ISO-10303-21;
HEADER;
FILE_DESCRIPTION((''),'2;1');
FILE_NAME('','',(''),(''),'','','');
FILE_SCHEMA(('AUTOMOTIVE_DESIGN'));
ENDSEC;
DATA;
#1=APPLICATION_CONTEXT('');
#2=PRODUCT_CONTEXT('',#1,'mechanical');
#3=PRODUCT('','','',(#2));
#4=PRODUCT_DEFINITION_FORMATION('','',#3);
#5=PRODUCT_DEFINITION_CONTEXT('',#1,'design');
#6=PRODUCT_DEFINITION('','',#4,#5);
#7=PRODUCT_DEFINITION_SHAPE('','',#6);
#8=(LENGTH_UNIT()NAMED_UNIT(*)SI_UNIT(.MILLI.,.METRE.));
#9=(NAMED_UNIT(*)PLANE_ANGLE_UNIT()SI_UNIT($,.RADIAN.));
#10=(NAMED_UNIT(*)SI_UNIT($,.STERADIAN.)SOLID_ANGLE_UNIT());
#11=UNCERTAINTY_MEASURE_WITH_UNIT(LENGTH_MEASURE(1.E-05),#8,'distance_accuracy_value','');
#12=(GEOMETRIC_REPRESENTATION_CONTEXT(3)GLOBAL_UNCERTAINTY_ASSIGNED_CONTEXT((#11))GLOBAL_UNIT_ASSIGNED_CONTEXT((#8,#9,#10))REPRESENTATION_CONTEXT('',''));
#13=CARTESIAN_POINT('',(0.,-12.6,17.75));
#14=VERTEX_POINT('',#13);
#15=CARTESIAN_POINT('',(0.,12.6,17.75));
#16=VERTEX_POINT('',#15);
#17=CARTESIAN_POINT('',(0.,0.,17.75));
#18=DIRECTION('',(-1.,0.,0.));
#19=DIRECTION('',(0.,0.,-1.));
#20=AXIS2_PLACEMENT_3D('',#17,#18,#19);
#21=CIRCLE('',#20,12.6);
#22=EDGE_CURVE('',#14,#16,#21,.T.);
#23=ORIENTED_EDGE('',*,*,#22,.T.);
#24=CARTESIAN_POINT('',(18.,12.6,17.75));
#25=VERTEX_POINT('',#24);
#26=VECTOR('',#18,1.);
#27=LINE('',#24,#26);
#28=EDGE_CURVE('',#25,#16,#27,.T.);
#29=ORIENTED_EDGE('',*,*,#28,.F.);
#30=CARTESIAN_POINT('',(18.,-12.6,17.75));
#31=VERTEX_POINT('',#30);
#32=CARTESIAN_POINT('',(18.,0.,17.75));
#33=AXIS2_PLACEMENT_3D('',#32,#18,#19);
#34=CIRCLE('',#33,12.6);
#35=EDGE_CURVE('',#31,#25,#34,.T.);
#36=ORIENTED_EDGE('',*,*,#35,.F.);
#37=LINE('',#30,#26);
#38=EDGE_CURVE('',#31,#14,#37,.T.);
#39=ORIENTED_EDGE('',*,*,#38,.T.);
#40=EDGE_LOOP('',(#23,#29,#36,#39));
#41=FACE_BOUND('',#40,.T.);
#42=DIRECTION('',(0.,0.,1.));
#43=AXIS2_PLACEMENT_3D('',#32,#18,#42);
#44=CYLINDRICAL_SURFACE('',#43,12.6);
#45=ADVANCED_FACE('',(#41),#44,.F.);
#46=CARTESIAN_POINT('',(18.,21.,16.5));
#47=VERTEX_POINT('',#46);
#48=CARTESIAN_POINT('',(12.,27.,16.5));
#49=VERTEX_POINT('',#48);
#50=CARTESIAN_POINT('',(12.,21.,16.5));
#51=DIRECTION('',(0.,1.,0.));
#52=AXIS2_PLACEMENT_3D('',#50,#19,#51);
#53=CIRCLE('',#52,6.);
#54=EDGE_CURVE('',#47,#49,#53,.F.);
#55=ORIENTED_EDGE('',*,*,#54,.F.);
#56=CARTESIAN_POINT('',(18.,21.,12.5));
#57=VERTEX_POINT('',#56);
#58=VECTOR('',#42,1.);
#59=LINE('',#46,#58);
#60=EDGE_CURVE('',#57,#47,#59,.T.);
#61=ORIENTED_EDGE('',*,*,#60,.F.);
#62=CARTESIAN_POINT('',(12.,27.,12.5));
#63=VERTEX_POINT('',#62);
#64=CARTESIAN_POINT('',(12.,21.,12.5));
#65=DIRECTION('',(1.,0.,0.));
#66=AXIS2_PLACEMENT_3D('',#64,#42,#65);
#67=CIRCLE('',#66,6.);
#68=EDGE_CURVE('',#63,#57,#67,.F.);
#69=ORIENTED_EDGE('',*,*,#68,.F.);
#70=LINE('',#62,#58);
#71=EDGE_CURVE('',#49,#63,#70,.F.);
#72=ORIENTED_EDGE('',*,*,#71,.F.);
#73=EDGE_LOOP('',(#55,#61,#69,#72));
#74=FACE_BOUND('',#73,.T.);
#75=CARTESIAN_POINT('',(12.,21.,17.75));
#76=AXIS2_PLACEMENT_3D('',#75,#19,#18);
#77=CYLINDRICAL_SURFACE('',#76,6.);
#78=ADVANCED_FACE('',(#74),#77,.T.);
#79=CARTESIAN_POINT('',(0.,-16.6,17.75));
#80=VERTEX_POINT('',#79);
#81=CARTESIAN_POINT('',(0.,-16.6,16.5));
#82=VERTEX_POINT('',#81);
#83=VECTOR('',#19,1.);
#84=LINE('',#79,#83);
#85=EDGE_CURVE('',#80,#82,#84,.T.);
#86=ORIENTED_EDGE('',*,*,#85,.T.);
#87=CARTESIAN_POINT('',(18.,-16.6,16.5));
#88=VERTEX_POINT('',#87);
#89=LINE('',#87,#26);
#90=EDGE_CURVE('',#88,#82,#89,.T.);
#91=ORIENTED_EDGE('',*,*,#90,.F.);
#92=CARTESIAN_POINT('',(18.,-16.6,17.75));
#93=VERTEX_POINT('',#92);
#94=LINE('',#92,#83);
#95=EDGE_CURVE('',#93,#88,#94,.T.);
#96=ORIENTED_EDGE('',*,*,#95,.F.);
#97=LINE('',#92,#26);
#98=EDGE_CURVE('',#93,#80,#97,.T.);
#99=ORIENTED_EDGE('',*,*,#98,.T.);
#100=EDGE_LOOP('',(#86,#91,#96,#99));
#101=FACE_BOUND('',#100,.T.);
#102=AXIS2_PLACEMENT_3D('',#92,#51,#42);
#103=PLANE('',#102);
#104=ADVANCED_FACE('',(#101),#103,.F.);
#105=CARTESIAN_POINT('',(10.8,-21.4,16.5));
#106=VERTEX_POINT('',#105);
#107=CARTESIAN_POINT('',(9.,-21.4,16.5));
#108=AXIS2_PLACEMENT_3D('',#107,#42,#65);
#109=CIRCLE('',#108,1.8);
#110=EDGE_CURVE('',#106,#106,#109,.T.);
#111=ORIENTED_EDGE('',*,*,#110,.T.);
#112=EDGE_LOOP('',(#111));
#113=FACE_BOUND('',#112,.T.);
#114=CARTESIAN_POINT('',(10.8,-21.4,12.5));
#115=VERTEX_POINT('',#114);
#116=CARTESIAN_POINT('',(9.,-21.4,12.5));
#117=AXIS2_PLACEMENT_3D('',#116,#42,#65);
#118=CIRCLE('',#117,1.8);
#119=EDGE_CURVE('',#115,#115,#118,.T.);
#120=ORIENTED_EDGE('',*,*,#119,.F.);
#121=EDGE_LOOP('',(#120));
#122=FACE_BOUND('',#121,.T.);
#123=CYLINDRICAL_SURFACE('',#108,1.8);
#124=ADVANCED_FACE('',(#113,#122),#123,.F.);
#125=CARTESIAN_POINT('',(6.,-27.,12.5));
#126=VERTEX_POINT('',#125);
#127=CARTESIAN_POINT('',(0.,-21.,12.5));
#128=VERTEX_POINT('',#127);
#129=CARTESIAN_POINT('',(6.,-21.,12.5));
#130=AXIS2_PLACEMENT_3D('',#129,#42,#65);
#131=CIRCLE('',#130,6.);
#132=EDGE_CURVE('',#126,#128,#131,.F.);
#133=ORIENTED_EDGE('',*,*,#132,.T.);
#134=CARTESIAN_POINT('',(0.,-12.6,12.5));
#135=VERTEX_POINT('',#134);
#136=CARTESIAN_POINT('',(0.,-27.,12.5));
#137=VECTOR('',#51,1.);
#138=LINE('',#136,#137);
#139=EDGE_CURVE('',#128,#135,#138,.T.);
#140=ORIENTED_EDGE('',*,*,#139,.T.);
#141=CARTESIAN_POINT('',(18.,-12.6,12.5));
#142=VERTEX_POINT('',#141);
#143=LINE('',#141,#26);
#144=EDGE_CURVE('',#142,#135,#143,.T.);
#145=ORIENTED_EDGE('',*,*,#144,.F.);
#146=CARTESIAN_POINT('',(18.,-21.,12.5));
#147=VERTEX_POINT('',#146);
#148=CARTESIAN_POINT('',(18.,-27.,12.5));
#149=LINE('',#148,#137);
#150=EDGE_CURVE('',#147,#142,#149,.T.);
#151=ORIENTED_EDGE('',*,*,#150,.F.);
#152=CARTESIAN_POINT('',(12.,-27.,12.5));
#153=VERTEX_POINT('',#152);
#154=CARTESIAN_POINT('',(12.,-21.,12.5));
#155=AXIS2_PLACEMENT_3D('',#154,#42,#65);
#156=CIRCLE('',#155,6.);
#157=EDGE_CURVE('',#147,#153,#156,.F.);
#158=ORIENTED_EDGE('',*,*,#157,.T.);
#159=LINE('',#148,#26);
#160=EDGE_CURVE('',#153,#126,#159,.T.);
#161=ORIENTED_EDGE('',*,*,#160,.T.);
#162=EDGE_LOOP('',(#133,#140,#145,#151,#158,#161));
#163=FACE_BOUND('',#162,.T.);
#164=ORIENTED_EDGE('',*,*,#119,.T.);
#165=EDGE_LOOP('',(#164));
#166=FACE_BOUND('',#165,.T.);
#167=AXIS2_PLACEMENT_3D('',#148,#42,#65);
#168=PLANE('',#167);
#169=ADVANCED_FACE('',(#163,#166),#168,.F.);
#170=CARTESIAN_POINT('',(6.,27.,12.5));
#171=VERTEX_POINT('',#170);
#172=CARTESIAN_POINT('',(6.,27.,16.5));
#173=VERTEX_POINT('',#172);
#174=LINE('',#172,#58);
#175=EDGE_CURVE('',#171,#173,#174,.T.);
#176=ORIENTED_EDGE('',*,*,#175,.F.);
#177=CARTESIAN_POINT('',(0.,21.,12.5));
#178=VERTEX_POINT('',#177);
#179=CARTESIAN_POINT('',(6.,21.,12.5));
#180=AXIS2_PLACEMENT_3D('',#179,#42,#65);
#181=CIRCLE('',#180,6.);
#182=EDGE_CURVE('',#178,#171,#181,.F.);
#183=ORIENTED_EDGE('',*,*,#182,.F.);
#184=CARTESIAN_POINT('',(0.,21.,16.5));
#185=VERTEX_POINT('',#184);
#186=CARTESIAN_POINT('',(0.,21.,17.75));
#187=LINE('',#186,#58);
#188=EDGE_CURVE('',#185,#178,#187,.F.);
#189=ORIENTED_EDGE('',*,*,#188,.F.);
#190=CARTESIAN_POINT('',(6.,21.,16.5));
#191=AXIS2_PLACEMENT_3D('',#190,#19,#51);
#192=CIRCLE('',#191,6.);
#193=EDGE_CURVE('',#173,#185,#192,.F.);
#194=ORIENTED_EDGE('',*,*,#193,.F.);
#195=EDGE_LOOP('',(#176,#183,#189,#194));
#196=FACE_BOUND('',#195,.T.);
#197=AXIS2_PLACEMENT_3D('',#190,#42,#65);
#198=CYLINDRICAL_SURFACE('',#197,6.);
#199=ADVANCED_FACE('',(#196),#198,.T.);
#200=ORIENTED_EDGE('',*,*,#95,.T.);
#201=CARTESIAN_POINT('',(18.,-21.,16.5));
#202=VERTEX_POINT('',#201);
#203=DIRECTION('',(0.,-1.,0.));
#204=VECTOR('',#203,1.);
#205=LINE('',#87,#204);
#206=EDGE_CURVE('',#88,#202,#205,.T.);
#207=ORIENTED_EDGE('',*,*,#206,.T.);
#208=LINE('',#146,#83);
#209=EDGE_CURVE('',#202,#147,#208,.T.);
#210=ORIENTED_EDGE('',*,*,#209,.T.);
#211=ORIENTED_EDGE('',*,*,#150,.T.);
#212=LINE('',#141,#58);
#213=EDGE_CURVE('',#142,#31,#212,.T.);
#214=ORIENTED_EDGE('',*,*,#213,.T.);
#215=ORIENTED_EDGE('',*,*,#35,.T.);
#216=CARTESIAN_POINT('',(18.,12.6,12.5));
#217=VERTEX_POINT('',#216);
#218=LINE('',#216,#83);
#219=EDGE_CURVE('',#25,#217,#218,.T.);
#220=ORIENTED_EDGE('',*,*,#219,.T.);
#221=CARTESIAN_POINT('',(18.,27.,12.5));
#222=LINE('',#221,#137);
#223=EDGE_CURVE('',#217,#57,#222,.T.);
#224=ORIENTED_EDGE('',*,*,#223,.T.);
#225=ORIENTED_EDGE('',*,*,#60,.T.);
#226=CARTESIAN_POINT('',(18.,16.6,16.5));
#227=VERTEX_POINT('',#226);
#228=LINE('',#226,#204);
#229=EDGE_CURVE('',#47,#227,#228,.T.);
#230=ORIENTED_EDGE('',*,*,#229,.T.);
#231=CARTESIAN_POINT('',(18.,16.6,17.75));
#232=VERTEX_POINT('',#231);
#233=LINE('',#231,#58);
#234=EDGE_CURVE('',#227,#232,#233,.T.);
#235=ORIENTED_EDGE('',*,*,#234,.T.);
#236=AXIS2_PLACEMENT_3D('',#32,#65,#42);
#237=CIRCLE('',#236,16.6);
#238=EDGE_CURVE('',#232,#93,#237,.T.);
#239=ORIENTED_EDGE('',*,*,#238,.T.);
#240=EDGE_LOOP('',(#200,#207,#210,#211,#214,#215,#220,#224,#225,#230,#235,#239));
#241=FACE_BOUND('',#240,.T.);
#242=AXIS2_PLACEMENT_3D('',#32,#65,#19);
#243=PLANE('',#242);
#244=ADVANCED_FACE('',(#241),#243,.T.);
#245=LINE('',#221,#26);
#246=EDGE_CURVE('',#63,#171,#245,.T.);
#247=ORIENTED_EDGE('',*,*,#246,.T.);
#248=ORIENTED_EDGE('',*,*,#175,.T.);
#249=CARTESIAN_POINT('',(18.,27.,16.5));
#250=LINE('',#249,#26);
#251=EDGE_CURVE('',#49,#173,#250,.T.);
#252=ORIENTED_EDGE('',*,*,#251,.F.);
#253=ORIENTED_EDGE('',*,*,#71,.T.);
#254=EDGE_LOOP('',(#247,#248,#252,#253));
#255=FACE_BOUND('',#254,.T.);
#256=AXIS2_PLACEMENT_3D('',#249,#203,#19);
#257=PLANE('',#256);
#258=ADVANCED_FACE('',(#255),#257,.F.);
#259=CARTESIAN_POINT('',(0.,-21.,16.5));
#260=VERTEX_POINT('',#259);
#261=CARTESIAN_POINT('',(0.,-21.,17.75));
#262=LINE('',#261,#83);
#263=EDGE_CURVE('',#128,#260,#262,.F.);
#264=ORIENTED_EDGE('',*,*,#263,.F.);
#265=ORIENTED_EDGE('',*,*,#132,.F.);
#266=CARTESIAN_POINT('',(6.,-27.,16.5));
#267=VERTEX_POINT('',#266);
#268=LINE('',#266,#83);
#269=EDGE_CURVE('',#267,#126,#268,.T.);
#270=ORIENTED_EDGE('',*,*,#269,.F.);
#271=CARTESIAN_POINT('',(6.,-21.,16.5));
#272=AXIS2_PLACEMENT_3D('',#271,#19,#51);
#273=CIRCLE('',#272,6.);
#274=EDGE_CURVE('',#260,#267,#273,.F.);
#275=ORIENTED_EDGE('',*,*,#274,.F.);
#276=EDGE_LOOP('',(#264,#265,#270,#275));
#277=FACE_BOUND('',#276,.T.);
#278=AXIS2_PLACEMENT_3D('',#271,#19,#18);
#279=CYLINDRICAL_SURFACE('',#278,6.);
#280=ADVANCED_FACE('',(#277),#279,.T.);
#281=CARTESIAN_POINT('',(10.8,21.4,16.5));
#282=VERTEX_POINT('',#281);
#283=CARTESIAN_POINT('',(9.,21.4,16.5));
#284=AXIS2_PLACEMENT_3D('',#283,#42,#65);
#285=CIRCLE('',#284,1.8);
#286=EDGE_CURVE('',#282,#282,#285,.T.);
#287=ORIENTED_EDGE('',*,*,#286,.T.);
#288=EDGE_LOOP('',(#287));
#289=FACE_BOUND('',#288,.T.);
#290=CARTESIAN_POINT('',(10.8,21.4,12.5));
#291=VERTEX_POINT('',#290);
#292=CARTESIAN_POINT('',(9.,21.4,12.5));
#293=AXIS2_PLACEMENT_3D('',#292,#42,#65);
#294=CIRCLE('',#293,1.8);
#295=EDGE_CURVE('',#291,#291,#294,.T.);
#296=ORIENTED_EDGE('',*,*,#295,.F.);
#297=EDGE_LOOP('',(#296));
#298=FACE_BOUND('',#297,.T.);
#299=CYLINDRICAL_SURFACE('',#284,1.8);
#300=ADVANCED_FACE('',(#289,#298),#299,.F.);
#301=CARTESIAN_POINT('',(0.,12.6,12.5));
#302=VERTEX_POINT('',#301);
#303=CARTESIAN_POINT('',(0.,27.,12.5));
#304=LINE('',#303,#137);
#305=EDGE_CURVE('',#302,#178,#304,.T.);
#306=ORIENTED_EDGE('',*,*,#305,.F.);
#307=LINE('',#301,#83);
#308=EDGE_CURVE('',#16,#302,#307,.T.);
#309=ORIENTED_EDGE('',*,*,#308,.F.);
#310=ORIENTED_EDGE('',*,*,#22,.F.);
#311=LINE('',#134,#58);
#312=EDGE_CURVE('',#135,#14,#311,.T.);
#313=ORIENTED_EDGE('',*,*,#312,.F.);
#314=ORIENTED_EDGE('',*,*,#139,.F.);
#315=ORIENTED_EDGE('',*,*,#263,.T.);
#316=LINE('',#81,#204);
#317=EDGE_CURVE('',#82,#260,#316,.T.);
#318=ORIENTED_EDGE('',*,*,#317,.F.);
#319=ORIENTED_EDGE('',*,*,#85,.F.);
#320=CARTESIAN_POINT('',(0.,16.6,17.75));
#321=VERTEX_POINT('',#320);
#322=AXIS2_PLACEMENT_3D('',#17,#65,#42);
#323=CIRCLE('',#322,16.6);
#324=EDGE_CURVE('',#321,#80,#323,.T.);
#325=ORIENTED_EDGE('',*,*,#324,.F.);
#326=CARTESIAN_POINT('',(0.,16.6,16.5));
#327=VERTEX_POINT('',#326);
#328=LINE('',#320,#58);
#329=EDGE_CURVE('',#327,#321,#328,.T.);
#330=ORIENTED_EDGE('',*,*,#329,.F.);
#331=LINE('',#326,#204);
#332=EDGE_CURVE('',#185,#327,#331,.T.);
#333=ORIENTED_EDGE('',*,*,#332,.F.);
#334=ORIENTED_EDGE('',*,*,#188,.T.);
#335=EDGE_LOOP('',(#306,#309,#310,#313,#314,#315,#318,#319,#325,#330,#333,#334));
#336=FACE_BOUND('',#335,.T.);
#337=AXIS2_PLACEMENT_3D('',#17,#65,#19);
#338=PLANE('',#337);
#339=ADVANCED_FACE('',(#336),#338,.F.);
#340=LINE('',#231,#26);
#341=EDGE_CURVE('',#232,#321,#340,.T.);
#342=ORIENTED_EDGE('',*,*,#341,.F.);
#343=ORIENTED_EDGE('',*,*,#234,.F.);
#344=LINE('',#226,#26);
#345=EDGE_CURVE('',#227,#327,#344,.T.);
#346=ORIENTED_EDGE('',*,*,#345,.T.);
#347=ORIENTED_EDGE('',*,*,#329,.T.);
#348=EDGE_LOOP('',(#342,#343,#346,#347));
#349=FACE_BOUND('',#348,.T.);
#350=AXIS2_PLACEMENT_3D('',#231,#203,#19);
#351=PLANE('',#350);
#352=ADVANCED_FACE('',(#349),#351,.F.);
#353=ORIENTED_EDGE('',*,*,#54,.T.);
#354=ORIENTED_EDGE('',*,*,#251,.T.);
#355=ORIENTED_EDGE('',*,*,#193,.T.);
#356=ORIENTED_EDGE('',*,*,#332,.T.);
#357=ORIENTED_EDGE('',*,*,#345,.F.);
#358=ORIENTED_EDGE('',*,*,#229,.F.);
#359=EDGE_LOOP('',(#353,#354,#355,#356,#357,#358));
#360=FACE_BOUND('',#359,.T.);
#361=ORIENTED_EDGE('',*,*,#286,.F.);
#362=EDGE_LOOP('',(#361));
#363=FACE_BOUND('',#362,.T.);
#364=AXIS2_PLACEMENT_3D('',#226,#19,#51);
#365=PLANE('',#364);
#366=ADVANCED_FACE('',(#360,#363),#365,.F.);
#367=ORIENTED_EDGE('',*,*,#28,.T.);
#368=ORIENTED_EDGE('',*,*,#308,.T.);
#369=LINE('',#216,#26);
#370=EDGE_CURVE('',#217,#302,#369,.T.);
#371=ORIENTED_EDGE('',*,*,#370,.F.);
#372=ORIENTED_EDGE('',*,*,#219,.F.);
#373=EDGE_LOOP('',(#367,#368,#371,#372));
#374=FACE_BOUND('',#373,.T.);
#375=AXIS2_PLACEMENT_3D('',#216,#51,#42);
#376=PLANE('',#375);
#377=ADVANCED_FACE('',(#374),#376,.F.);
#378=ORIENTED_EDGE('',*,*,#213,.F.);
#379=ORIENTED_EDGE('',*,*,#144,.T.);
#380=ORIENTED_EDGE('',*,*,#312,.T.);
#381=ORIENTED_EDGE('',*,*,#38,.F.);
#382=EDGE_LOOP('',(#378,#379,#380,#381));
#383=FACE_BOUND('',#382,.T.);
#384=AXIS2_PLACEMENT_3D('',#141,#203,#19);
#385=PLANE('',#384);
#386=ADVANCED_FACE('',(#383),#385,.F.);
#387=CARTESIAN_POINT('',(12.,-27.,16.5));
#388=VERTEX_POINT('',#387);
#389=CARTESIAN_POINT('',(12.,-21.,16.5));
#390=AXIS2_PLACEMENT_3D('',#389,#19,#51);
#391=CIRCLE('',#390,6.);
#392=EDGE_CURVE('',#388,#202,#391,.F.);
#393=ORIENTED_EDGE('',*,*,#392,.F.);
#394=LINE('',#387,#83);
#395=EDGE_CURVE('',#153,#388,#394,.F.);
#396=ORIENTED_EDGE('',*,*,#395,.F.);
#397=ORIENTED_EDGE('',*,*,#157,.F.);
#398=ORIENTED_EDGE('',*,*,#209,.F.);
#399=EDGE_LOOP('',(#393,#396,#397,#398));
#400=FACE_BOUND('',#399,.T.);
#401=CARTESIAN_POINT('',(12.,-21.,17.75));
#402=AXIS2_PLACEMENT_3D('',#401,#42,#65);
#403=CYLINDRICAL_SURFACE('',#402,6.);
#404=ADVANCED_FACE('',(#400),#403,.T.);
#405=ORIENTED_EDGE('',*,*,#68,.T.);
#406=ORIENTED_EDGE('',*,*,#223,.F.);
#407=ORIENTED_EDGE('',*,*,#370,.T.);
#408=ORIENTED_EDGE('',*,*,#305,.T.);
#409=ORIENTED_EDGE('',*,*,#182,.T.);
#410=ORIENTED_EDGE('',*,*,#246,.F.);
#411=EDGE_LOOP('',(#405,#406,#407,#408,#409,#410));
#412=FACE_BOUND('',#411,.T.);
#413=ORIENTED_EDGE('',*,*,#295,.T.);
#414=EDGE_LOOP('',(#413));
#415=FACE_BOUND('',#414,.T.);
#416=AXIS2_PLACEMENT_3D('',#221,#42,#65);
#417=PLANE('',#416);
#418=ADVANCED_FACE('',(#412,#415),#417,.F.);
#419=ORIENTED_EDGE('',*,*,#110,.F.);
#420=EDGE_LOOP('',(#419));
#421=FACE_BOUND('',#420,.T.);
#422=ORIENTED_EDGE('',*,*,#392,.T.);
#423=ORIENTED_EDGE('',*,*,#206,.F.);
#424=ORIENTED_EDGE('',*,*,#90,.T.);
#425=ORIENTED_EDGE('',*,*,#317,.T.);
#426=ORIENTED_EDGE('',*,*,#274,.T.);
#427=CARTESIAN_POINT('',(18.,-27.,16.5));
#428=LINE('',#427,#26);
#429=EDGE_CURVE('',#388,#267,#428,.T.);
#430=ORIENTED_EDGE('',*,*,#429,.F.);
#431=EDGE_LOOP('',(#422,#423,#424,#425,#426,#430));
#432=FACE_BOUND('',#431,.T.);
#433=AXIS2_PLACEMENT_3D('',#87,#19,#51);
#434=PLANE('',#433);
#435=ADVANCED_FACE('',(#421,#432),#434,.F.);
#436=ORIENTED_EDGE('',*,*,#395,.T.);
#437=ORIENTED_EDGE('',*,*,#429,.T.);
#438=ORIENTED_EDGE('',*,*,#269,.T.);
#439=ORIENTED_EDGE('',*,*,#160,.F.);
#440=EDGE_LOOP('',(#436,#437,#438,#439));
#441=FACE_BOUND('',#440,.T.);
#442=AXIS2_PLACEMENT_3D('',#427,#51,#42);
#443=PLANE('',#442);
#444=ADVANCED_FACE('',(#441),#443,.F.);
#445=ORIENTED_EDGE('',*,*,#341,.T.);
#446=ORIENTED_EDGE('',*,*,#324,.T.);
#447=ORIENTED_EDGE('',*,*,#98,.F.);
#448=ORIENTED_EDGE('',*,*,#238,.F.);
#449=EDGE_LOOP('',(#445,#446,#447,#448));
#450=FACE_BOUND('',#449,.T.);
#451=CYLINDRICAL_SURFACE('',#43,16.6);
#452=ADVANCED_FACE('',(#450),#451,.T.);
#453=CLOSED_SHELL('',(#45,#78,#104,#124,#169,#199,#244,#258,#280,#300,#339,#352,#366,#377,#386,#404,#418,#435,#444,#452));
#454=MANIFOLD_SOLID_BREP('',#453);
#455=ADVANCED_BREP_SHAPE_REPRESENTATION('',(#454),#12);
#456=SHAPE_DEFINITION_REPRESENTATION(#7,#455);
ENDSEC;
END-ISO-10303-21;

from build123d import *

# Parameters (mm, degrees)
MOTOR_CLAMP_EXTRUDE_DEPTH = 18
CLAMP_MOUNTING_HOLE_D     = 3.6
CLAMP_CORNER_FILLETS_R    = 6


with BuildPart() as part:
    # Motor Clamp Sketch → Motor Clamp Extrude (new body)
    with BuildSketch(Plane(origin=(0, 0, 0), x_dir=(0, 0, -1), z_dir=(1, 0, 0))):
        with BuildLine():
            Line((-17.75, -16.6), (-16.5, -16.6))
            Line((-16.5, -16.6), (-16.5, -27))
            Line((-16.5, -27), (-12.5, -27))
            Line((-12.5, -27), (-12.5, -12.6))
            Line((-12.5, -12.6), (-17.75, -12.6))
            ThreePointArc((-17.75, -12.6), (-30.35, 0), (-17.75, 12.6))
            Line((-17.75, 12.6), (-12.5, 12.6))
            Line((-12.5, 12.6), (-12.5, 27))
            Line((-12.5, 27), (-16.5, 27))
            Line((-16.5, 27), (-16.5, 16.6))
            Line((-16.5, 16.6), (-17.75, 16.6))
            ThreePointArc((-17.75, 16.6), (-34.35, 0), (-17.75, -16.6))
        make_face()
    extrude(amount=MOTOR_CLAMP_EXTRUDE_DEPTH)

    # Clamp Mounting Hole (through all)
    with Locations(Plane.XY.offset(16.5)):
        with Locations((9, -21.4)):
            clamp_mounting_hole = Hole(CLAMP_MOUNTING_HOLE_D / 2)

    # Clamp Hole Mirro: Clamp Mounting Hole across plane
    add(clamp_mounting_hole.mirror(Plane.ZX), mode=Mode.SUBTRACT)

    # Clamp Corner Fillets
    clamp_corner_fillets_edges = [part.edges().sort_by_distance(p)[0] for p in [
        (0, 27, 14.5),
        (0, -27, 14.5),
        (18, -27, 14.5),
        (18, 27, 14.5),
    ]]
    fillet(clamp_corner_fillets_edges, radius=CLAMP_CORNER_FILLETS_R)


solid = part.part
